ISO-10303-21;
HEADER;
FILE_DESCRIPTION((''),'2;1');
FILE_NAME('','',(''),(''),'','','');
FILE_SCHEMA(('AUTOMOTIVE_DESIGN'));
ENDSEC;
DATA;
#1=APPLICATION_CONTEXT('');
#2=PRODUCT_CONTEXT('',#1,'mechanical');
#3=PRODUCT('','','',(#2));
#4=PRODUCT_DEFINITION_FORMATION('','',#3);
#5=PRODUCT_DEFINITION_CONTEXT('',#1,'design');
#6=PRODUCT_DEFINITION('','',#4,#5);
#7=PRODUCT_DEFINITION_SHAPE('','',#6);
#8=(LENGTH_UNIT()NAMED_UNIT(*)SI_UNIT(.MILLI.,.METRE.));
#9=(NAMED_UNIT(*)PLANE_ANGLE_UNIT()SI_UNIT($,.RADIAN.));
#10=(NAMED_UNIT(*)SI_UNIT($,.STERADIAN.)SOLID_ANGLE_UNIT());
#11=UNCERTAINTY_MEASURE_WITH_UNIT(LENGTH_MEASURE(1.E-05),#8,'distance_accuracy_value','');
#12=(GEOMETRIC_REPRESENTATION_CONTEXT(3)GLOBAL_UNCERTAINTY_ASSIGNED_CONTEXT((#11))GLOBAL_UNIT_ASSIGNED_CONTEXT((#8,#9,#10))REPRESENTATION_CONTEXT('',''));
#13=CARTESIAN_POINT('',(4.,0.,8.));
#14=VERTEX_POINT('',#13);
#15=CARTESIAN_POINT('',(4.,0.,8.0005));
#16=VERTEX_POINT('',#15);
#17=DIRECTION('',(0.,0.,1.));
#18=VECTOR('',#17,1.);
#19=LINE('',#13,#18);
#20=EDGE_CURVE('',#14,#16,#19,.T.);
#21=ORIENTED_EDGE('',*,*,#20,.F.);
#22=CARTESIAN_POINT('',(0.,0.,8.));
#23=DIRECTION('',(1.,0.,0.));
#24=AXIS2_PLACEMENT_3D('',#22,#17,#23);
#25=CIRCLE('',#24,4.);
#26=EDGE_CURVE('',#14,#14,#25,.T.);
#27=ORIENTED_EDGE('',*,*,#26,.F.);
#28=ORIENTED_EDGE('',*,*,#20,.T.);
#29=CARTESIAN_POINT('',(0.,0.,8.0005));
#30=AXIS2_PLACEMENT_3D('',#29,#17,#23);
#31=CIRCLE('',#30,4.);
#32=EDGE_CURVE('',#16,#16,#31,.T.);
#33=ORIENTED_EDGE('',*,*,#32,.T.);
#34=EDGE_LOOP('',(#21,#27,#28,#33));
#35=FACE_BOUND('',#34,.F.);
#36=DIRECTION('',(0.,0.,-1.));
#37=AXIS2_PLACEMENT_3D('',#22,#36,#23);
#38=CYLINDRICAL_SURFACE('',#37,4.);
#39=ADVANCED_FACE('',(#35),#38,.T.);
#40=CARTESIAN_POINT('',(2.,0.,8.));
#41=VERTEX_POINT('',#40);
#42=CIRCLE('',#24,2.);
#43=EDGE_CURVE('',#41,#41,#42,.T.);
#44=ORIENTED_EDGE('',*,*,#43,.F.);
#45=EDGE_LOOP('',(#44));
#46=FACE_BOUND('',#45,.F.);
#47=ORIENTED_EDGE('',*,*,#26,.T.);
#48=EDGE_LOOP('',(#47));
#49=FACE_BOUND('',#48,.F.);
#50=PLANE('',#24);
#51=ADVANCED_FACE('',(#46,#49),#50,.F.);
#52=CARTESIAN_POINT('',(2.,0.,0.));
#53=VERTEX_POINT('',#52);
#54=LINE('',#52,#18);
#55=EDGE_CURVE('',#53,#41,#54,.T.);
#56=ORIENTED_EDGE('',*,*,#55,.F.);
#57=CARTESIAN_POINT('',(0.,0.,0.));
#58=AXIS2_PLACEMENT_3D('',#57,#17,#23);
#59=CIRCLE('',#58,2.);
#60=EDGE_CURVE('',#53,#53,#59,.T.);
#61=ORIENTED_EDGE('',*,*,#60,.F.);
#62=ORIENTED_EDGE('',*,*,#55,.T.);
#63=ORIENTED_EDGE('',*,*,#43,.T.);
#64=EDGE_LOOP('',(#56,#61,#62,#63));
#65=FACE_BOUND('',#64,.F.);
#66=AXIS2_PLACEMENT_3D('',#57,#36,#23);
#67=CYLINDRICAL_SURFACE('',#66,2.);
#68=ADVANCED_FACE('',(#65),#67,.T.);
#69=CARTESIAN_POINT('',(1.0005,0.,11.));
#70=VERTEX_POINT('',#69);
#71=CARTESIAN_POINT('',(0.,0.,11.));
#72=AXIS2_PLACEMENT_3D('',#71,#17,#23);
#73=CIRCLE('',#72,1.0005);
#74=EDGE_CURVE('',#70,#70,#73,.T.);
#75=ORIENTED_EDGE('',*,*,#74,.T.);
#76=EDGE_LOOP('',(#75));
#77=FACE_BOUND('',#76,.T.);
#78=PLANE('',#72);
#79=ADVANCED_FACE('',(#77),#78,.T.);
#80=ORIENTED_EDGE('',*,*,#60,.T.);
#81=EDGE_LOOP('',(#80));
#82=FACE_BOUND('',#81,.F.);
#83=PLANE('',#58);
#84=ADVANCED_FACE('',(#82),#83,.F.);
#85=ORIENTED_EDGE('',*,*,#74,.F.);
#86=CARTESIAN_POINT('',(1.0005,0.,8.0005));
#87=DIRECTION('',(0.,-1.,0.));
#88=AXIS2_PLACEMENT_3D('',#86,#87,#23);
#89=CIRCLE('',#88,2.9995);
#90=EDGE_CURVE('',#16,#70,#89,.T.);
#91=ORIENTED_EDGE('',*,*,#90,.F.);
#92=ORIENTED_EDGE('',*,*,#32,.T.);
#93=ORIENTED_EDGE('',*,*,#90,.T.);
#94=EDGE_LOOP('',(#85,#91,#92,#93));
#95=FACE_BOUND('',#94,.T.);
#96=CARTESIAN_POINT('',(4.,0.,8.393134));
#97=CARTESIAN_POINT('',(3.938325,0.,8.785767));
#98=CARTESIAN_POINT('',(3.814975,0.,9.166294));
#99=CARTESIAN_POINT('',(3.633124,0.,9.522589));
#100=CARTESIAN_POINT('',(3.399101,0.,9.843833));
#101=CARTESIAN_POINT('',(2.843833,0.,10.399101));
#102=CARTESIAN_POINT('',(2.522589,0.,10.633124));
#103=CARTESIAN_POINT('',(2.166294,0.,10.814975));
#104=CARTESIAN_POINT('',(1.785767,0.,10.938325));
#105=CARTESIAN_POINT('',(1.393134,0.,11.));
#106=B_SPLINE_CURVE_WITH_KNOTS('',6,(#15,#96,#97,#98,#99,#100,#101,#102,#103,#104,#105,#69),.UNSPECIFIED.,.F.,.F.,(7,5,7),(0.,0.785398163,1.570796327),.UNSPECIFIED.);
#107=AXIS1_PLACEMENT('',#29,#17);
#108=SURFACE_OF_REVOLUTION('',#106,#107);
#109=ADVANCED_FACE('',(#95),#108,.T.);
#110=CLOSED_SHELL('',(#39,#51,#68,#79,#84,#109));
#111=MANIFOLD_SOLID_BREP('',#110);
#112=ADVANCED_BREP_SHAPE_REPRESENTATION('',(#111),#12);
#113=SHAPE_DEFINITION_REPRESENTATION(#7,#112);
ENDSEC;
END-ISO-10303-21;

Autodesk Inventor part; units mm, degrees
ref_plane "YZ Plane" through (0, 0, 0) normal (1, 0, 0) x (0, 1, 0)
ref_plane "XZ Plane" through (0, 0, 0) normal (0, 1, 0) x (-1, 0, 0)
ref_plane "XY Plane" through (0, 0, 0) normal (0, 0, 1) x (1, 0, 0)
sketch "スケッチ1" plane through (0, 0, 0) normal (0, 0, 1) x (1, 0, 0)
  circle A0 centre (0, 0) radius 2
  dimension "d0" = 4
extrude "押し出し1" add sketch "スケッチ1" along normal blind 8
sketch "スケッチ2" plane through (0, 0, 8) normal (0, 0, 1) x (1, 0, 0)
  circle A0 centre (0, 0) radius 2 projected
  circle A1 centre (0, 0) radius 4
  dimension "d3" = 8
extrude "押し出し2" add sketch "スケッチ2" along normal blind 3 contours A0 | A1
fillet "フィレット1" radius 3 1 edges at (-4, 0, 11)
thread "ねじ1" size "M4x0.7" class "6g" standard "ANSI Metric M Profile" full length
properties part number "SB　M4 8mm なべネジ" material "Stainless Steel, 440C"
